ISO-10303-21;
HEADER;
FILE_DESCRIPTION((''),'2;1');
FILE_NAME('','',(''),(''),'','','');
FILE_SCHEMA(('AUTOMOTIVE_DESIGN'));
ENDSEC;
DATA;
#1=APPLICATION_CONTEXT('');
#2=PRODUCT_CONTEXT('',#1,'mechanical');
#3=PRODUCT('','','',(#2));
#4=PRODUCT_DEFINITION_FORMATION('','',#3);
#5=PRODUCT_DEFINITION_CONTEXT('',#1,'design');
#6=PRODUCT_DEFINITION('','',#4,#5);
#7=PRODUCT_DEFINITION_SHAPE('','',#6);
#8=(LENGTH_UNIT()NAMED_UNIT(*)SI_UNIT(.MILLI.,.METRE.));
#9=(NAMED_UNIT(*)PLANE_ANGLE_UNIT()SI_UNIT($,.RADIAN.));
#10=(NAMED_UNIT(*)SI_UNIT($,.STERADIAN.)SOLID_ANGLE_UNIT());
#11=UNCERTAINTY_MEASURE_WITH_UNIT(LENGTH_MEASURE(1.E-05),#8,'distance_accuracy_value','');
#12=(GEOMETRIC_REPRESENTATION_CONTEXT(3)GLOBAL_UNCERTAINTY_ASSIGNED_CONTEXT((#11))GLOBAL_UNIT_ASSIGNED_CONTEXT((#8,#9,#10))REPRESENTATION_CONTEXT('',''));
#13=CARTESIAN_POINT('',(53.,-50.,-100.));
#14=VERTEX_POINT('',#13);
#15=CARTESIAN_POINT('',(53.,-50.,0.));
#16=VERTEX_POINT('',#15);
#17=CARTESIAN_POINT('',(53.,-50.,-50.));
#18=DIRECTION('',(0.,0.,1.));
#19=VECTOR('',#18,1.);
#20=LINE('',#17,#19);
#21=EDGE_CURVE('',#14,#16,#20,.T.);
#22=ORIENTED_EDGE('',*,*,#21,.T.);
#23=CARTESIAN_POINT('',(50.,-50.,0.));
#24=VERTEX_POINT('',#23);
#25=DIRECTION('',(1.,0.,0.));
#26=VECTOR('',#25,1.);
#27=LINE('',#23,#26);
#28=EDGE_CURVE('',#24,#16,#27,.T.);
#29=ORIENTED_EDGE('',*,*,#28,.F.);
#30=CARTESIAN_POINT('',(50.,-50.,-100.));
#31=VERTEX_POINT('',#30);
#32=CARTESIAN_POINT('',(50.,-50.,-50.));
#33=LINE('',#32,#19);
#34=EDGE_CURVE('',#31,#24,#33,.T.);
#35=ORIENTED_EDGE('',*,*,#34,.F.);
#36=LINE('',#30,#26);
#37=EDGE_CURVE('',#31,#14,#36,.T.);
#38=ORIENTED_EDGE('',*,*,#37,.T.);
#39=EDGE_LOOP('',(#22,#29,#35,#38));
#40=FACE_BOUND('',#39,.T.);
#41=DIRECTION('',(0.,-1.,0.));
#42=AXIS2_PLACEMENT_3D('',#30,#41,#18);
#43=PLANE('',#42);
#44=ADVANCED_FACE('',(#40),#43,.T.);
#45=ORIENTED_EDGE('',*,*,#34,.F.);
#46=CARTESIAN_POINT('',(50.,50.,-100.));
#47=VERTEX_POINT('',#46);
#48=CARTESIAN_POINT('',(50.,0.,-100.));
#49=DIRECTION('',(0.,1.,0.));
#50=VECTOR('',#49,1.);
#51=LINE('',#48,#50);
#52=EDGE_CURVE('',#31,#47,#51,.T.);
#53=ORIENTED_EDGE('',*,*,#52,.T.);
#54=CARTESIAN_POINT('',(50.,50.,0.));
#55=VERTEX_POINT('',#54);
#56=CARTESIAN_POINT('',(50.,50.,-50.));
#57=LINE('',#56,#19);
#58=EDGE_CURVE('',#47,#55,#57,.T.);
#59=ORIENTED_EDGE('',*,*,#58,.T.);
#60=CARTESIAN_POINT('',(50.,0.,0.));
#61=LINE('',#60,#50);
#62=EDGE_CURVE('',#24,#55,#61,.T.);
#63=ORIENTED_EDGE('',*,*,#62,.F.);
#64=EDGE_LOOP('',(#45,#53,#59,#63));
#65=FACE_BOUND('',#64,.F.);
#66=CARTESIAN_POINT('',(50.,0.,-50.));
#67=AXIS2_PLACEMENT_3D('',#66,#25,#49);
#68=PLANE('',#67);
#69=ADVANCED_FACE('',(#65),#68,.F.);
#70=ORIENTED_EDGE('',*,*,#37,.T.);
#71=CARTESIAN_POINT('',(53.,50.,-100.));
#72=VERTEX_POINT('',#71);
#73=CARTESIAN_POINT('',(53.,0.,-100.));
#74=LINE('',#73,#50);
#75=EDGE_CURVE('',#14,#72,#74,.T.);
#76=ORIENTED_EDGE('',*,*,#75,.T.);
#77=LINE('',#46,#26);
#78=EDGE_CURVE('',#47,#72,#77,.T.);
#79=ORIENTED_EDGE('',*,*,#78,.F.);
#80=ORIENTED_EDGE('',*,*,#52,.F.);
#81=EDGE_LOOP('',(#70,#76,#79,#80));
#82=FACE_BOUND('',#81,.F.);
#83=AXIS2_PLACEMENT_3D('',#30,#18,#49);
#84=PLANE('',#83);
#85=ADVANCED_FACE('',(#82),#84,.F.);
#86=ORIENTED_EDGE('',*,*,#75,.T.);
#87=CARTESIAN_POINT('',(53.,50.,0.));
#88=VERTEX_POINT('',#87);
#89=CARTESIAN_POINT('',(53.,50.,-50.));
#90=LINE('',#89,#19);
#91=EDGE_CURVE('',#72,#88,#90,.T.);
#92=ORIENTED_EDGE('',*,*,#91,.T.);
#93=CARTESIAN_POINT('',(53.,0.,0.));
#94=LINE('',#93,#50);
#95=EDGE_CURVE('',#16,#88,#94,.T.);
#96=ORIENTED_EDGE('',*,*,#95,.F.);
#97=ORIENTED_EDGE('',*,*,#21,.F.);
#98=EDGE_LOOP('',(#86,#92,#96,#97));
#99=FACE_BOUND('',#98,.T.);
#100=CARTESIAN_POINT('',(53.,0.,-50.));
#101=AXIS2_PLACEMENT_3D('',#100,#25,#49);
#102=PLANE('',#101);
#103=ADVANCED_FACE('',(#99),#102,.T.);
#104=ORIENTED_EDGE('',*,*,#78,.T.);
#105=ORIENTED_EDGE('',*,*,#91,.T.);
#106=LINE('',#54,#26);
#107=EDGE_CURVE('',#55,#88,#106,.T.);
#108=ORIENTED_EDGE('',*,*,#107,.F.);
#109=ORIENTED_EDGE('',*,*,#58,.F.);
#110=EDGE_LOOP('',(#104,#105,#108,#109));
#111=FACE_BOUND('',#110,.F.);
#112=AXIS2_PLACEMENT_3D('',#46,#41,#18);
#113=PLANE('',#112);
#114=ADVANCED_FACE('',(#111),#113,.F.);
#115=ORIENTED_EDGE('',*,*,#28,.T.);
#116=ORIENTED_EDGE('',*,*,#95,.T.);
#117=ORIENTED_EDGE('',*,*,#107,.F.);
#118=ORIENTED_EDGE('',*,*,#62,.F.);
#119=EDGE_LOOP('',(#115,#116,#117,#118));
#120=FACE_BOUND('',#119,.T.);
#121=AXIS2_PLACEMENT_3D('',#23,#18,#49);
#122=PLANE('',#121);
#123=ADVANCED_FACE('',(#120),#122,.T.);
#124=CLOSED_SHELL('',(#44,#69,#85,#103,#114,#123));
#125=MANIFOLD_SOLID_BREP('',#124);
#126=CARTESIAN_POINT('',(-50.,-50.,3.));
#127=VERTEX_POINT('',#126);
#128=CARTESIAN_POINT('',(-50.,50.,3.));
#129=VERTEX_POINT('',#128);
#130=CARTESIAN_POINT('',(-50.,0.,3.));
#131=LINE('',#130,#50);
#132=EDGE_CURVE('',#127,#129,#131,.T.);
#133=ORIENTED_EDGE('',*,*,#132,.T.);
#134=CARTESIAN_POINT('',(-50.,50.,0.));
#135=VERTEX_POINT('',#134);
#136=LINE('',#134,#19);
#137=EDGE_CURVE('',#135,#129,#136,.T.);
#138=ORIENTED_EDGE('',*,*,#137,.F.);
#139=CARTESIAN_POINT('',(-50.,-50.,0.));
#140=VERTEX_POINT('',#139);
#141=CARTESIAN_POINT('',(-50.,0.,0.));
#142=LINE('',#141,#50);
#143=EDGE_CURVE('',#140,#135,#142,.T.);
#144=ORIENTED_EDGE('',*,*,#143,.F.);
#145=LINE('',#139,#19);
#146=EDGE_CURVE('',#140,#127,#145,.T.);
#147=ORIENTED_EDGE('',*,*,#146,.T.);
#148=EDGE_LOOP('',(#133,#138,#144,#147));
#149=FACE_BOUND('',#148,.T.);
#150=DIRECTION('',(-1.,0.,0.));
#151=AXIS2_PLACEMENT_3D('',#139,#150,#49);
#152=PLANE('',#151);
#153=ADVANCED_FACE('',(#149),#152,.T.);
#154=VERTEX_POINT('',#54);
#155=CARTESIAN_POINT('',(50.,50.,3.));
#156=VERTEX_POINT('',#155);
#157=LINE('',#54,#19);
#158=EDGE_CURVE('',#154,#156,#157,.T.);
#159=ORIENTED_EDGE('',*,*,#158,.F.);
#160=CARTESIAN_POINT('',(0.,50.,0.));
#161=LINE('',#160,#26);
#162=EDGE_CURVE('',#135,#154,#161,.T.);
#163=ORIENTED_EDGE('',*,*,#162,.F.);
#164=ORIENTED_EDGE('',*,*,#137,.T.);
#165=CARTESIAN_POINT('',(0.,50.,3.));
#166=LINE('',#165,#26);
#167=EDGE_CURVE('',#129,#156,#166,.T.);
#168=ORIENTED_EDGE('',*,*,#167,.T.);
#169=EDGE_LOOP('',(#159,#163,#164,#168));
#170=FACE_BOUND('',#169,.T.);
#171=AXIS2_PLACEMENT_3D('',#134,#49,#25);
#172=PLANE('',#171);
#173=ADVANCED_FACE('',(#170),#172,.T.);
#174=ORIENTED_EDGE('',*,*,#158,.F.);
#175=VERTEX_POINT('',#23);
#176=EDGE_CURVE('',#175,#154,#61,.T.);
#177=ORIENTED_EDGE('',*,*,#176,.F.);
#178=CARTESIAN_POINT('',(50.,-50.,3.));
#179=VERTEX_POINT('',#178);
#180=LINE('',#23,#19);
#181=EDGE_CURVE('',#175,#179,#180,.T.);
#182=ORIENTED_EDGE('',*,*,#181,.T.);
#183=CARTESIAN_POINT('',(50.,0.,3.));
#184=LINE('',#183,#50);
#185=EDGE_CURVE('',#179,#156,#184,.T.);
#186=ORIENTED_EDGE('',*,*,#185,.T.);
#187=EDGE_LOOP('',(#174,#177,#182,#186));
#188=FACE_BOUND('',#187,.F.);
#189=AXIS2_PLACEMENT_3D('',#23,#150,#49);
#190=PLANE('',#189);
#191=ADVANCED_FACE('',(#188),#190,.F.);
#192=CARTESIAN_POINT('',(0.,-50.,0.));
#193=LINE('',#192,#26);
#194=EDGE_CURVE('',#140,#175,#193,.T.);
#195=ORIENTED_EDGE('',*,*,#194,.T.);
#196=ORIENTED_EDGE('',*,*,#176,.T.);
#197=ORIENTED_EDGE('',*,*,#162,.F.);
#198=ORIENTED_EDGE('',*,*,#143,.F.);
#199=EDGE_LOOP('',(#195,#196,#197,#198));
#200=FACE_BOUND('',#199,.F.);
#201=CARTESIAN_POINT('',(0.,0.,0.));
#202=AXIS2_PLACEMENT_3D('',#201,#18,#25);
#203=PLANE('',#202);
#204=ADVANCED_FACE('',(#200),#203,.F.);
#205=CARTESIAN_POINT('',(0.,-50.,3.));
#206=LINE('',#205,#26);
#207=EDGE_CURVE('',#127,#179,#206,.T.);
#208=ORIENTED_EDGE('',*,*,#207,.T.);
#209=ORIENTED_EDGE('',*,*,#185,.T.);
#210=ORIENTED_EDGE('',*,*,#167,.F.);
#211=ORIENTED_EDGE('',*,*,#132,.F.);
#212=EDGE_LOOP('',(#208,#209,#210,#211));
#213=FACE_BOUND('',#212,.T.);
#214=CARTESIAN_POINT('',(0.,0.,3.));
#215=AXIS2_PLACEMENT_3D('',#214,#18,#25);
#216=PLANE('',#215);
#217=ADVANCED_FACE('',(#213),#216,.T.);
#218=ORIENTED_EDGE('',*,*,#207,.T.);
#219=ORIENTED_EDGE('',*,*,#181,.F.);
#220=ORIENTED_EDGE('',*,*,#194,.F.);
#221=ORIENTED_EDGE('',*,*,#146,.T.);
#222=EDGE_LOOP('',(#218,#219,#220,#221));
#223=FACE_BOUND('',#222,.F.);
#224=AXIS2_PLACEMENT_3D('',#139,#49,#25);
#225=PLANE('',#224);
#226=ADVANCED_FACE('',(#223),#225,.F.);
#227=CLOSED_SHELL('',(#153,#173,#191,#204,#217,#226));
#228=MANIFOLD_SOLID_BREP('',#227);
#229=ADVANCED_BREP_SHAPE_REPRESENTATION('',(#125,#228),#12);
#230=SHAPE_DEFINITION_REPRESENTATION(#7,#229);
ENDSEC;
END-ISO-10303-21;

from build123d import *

# Parameters (mm, degrees)
F2_W     = 100
F2_H     = 100
F3_DEPTH = 3
F4_W     = 100
F4_H     = 100
F5_DEPTH = 3


with BuildPart() as f3:
    # F2 (on offset) → F3 (new body)
    with BuildSketch(Plane.YZ.offset(50)):
        with Locations((0, -50)):
            Rectangle(F2_W, F2_H)
    extrude(amount=F3_DEPTH)


with BuildPart() as f5:
    # F4 (on Top) → F5 (new body)
    with BuildSketch(Plane.XY):
        Rectangle(F4_W, F4_H)
    extrude(amount=F5_DEPTH)


solid = Compound([f3.part, f5.part])
